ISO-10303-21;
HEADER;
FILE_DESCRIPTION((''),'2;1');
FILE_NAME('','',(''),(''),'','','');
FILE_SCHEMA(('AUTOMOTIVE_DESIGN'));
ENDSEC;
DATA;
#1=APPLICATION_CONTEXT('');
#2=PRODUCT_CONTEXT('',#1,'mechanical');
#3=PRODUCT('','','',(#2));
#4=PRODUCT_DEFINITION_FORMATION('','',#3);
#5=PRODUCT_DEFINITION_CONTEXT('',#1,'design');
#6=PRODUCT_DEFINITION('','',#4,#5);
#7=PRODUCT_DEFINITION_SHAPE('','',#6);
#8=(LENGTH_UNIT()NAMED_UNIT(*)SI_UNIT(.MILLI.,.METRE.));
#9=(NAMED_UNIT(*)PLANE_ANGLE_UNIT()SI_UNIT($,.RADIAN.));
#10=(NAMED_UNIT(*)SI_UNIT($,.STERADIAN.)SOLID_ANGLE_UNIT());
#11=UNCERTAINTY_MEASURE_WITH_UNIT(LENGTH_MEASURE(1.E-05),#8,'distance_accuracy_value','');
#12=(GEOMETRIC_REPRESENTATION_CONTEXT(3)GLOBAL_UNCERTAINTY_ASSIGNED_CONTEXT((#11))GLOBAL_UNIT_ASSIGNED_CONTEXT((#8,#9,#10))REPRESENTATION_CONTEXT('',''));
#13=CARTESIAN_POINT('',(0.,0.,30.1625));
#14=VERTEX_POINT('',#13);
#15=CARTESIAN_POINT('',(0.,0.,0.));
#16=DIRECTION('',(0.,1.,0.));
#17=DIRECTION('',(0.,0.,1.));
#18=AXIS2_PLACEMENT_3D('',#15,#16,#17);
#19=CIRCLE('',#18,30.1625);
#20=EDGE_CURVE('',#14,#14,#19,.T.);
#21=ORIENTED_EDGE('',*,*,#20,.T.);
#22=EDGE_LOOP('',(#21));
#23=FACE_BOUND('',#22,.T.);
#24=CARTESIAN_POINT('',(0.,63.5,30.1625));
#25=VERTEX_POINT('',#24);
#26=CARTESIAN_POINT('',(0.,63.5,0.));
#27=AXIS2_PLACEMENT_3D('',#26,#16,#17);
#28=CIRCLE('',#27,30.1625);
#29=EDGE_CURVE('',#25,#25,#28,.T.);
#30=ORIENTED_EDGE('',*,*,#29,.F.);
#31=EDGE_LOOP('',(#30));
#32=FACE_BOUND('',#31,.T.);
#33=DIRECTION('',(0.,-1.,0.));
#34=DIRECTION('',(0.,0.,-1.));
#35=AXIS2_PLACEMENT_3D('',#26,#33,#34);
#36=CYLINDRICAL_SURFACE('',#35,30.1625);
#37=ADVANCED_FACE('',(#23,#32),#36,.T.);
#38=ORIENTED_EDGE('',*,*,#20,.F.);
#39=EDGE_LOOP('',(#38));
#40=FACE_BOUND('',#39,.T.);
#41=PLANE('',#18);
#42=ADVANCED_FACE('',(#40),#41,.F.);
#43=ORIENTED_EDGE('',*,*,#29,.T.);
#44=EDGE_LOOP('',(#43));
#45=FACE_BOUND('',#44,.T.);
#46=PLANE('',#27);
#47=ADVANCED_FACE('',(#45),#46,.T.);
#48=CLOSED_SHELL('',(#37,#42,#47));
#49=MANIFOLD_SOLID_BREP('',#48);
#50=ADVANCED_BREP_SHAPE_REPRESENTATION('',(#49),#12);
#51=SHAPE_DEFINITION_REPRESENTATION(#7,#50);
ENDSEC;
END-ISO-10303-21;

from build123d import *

# Parameters (mm, degrees)
SKETCH1_R           = 30.1625
BOSS_EXTRUDE1_DEPTH = 63.5


with BuildPart() as part:
    # Sketch1 → Boss-Extrude1 (new body)
    with BuildSketch(Plane(origin=(0, 0, 0), x_dir=(1, 0, 0), z_dir=(0, 1, 0))):
        with Locations(Location((0, 0, 0), (0, 0, 270))):
            Circle(SKETCH1_R)
    extrude(amount=BOSS_EXTRUDE1_DEPTH)


solid = part.part
